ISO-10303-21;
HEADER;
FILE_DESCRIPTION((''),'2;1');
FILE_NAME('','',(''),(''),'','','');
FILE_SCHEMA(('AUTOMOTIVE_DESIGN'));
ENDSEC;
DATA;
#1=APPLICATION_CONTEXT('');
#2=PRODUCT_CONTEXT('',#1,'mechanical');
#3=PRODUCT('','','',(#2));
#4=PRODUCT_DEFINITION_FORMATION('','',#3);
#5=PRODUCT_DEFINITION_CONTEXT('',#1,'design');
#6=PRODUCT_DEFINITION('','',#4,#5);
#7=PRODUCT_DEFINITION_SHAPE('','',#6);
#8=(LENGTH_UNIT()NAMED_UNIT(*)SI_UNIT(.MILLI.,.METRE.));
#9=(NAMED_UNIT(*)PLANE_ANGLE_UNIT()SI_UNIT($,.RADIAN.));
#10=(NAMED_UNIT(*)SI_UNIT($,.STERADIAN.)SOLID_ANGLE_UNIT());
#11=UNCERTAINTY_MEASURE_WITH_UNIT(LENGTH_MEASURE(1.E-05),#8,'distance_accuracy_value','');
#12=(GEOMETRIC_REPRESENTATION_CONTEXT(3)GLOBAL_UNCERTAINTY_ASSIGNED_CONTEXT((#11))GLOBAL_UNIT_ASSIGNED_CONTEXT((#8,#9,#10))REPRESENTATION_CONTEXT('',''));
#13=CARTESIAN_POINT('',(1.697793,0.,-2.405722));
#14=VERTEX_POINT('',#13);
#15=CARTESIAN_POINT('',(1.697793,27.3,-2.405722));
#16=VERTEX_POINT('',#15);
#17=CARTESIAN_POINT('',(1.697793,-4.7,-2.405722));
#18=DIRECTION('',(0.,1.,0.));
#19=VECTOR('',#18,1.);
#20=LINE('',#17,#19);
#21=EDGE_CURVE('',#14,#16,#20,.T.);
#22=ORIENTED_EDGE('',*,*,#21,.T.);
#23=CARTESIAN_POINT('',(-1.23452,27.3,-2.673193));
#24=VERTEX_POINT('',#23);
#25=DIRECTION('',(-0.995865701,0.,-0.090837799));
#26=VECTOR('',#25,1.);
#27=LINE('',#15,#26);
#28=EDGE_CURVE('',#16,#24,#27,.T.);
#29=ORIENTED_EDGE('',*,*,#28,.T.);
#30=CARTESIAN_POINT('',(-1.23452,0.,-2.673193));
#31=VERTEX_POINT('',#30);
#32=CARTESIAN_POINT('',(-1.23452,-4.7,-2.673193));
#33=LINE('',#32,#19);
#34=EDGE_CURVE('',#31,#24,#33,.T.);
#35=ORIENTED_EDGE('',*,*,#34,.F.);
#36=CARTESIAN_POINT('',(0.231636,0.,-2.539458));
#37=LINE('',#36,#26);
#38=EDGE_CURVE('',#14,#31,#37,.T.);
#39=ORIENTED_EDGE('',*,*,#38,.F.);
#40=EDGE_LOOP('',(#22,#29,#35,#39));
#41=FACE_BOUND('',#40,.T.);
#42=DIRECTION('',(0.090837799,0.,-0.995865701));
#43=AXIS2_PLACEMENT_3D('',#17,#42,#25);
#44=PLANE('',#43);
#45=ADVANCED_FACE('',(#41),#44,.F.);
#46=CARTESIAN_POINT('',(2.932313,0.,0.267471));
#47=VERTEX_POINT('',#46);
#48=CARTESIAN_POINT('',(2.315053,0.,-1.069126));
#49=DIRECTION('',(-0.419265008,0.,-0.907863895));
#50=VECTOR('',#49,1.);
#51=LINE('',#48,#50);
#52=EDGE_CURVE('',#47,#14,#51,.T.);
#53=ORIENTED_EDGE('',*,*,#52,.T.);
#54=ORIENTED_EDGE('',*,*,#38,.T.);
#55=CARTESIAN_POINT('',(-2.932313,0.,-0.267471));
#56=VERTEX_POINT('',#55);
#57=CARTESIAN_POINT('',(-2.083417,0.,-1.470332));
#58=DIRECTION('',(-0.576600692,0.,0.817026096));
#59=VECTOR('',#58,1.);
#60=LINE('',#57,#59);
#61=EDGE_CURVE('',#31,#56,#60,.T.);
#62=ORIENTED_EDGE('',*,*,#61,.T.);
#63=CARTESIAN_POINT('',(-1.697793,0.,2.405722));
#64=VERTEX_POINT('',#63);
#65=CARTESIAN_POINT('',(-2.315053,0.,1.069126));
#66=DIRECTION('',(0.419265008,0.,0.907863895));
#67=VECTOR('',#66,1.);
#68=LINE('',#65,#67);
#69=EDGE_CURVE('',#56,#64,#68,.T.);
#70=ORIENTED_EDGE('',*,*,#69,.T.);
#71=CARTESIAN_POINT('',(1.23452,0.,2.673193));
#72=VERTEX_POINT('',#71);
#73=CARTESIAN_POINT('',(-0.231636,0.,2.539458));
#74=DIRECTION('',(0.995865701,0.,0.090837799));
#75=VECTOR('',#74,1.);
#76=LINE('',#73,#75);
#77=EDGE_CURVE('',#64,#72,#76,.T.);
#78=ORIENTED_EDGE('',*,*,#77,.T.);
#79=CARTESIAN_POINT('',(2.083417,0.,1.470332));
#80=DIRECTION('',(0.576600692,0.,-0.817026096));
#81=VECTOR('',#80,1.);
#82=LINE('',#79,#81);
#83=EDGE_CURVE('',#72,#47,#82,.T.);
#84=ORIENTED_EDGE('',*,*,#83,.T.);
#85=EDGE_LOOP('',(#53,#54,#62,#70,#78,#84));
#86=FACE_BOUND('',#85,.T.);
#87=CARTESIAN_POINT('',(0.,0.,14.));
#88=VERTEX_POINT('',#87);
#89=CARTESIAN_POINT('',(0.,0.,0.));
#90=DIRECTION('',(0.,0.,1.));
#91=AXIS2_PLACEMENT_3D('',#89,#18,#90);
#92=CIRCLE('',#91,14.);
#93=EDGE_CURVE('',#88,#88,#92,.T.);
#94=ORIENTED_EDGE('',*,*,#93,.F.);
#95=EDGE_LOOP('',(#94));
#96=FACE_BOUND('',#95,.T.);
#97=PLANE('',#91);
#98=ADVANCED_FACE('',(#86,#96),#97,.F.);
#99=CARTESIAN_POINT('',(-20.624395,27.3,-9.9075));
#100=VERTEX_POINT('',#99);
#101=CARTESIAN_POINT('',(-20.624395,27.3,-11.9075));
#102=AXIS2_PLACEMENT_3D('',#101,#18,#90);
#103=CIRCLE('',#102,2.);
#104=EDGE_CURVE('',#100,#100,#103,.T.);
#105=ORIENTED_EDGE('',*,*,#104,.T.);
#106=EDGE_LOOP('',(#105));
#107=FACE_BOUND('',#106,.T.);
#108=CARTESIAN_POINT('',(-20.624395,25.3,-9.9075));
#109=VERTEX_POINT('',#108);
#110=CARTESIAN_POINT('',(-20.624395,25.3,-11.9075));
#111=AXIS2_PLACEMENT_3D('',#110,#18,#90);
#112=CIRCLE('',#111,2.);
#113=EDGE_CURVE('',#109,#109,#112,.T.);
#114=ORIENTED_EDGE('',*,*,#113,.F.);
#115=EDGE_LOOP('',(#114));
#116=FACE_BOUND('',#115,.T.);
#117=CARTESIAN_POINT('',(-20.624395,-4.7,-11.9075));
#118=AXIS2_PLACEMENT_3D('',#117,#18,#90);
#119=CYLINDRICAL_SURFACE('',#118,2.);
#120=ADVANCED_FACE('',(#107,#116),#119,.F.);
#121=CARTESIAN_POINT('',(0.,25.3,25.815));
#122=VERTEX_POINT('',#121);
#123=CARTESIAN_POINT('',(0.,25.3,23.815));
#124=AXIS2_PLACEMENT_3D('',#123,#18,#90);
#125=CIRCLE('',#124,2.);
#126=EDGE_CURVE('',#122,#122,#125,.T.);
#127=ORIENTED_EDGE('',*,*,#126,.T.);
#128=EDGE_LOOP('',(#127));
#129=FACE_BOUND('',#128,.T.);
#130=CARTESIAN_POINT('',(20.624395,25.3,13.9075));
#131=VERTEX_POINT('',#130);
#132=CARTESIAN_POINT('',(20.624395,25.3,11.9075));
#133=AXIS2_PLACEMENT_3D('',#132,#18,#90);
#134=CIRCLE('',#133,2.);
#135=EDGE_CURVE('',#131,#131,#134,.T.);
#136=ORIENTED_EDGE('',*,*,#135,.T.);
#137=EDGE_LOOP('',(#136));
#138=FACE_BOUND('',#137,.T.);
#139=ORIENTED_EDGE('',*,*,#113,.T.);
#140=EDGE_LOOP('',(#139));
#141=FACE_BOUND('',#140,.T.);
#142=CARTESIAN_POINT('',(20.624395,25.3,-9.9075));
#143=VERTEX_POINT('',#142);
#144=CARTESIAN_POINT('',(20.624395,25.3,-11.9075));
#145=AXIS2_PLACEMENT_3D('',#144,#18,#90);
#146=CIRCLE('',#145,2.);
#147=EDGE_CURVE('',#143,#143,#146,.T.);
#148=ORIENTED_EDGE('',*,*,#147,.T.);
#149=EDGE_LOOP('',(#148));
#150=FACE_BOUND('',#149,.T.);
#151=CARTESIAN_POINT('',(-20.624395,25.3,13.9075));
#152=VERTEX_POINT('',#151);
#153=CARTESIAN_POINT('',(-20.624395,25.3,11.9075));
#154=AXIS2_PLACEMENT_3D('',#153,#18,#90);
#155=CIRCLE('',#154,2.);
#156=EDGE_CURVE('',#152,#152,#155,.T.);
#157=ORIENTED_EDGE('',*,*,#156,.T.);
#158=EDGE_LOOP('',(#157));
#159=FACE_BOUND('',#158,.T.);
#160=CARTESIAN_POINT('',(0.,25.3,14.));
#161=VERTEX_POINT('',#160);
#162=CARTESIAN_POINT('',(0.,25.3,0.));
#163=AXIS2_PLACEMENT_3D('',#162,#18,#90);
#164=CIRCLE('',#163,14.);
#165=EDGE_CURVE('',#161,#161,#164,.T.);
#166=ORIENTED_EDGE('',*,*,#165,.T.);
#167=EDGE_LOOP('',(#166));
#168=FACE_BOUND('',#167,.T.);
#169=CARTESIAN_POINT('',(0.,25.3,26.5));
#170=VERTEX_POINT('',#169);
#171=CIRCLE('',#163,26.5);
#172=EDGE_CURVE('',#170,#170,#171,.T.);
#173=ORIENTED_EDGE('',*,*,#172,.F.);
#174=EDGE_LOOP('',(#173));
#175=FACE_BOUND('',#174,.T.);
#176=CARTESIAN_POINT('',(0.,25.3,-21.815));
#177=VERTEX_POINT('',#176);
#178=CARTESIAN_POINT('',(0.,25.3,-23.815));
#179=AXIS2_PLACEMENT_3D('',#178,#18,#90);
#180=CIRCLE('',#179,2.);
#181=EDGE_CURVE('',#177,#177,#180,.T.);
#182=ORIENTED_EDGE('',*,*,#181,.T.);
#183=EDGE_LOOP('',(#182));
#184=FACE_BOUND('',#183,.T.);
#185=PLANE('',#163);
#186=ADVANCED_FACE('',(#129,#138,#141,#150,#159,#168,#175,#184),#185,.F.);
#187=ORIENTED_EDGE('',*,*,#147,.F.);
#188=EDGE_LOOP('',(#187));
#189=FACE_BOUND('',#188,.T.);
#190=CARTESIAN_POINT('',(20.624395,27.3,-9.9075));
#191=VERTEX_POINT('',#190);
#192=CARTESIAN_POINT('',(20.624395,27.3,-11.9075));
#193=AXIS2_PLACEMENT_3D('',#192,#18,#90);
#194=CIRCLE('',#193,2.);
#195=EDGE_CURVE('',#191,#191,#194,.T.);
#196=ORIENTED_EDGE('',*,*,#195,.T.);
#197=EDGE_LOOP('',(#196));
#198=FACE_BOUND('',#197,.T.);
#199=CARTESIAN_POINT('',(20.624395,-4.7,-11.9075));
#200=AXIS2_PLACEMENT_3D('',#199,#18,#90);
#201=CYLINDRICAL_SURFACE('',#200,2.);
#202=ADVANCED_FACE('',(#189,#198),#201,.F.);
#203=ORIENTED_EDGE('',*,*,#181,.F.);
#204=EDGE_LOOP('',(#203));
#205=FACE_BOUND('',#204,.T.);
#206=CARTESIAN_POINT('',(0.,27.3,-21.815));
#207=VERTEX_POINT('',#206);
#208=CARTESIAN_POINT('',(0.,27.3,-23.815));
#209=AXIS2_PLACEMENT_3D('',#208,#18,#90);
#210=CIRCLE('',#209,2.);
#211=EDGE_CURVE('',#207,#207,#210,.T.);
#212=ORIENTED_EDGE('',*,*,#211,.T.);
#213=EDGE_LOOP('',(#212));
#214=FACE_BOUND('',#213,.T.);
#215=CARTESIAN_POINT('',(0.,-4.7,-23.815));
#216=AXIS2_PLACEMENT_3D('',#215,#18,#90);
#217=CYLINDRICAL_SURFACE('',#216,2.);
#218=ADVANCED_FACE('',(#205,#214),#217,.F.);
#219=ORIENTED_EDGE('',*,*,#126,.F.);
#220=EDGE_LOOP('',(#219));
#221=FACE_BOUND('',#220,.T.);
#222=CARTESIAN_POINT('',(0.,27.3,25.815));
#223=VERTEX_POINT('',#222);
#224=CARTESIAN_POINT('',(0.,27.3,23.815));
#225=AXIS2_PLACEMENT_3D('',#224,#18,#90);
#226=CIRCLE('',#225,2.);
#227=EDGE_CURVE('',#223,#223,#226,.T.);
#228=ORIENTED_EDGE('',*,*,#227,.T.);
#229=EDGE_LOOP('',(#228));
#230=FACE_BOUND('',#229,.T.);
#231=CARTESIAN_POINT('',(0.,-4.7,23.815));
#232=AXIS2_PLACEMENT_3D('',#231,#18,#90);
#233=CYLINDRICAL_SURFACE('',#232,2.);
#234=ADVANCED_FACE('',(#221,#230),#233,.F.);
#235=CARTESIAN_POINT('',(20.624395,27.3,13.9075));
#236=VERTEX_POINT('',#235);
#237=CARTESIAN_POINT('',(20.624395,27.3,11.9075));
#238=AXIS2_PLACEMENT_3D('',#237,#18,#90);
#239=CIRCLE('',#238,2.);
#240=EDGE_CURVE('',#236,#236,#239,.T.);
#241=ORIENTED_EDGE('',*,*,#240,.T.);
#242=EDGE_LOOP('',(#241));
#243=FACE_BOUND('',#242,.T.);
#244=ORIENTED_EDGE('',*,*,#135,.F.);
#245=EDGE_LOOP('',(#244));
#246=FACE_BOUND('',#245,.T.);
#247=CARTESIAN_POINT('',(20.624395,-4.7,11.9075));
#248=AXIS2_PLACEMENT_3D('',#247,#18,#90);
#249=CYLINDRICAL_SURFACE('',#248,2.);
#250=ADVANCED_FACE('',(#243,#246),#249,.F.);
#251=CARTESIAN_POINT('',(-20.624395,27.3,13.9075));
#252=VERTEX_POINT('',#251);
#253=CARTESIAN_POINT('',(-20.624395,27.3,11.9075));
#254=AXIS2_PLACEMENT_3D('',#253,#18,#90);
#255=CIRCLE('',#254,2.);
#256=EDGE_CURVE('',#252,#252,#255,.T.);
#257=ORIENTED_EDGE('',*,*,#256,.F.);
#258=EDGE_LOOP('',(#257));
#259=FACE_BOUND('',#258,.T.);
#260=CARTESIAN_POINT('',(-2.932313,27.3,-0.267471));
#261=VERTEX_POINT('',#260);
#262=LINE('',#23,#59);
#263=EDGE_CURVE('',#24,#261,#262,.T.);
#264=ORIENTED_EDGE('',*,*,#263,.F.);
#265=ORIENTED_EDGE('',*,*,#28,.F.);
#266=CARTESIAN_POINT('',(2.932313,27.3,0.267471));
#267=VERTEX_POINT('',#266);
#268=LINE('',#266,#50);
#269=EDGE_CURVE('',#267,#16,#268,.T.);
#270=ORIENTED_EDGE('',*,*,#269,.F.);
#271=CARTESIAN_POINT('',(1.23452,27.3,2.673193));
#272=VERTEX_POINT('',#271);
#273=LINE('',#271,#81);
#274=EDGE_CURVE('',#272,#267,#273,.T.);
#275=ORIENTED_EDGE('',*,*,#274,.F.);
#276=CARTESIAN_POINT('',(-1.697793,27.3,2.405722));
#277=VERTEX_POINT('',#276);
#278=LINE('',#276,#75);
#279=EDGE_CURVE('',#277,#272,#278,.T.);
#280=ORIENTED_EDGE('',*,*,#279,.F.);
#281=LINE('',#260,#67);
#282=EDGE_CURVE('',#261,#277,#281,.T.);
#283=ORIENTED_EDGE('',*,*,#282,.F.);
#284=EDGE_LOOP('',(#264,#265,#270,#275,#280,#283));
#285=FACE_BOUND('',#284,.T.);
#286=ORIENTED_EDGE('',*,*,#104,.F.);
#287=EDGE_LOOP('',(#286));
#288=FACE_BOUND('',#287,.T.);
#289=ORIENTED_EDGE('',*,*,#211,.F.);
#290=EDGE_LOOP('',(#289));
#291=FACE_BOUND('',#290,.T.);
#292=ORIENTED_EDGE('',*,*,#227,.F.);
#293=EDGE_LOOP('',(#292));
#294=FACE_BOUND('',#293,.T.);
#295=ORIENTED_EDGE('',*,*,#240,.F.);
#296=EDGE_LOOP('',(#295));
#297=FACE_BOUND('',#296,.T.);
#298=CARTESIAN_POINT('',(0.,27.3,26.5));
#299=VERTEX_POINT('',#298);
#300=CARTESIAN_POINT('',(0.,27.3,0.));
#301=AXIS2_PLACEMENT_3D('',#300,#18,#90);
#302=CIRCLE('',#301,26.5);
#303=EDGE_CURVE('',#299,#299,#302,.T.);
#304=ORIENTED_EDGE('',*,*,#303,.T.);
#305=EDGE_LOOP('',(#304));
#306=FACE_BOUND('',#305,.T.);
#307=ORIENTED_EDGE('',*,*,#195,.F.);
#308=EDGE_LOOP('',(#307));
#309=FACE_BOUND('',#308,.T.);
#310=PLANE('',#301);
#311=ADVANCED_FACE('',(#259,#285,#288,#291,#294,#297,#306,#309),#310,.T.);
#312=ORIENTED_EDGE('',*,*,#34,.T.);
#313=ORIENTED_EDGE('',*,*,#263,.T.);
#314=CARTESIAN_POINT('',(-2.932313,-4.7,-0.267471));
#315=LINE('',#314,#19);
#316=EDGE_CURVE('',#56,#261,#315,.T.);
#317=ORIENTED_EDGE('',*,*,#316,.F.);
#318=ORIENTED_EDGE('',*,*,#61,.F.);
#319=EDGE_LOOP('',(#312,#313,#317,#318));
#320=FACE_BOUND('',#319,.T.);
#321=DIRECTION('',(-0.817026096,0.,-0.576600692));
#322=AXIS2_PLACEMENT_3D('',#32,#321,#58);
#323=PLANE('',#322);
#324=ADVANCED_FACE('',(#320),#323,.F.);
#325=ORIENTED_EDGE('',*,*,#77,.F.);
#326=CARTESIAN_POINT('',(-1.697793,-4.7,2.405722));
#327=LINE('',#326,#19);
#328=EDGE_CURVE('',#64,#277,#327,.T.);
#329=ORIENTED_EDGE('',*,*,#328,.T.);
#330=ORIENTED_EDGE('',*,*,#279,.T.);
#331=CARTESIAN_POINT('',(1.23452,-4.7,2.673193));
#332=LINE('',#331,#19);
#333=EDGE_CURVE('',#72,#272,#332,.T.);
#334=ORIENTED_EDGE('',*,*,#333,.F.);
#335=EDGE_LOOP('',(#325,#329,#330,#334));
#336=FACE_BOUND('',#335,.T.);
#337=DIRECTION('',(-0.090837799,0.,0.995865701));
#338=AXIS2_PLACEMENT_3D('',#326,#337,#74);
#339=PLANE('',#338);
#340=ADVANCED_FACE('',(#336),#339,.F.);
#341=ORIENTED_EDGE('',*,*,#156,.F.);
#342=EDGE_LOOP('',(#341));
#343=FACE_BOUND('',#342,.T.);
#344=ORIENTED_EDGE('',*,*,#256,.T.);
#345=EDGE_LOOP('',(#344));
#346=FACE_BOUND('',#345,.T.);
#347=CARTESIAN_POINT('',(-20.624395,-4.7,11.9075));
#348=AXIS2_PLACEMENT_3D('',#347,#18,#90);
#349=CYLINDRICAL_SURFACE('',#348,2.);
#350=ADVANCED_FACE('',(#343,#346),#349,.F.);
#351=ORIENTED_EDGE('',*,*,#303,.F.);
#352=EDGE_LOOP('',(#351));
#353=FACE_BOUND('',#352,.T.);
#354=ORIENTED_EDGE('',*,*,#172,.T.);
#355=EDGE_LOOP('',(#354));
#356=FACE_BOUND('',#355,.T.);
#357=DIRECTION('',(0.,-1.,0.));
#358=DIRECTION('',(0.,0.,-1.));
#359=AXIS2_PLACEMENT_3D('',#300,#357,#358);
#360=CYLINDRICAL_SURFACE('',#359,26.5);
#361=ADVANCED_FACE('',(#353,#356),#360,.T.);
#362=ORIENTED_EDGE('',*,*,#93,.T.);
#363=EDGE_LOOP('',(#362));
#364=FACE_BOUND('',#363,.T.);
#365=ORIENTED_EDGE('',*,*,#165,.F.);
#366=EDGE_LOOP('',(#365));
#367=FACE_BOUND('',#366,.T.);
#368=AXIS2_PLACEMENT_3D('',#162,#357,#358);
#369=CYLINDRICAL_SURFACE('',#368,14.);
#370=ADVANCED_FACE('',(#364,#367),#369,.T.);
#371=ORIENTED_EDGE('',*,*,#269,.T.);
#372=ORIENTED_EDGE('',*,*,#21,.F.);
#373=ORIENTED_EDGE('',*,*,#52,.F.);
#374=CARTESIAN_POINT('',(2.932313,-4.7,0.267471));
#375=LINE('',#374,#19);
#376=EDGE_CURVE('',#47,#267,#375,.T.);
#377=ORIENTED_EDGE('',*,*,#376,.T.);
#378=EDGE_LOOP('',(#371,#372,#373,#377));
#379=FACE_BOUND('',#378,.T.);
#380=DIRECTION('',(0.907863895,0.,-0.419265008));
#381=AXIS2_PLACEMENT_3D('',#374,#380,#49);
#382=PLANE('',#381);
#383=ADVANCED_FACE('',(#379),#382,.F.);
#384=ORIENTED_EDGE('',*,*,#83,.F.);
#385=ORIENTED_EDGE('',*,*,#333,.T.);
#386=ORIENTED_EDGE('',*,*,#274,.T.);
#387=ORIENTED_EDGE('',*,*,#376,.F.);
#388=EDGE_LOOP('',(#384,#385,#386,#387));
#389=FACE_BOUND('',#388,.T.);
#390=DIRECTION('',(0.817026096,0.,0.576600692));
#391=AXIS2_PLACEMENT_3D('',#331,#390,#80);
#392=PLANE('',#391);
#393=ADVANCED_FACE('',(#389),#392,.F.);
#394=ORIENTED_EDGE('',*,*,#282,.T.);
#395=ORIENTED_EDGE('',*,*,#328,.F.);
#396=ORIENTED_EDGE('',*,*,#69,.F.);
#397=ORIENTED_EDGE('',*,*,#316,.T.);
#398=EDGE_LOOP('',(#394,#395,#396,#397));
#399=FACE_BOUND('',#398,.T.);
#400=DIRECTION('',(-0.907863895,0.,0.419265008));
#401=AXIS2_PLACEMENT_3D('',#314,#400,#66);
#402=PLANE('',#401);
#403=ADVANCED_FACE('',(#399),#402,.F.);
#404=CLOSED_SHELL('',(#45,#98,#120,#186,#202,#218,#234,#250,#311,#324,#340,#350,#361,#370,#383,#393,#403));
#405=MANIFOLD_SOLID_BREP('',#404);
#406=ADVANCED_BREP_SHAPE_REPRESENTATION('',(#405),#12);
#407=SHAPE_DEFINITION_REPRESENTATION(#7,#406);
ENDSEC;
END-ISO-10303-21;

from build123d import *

# Parameters (mm, degrees)
SKETCH1_R           = 14
BOSS_EXTRUDE1_DEPTH = 25.3
SKETCH2_R           = 26.5
BOSS_EXTRUDE2_DEPTH = 2
SKETCH3_R           = 2
CUT_EXTRUDE1_DEPTH  = 32


with BuildPart() as part:
    # Sketch1 → Boss-Extrude1 (new body)
    with BuildSketch(Plane(origin=(0, 0, 0), x_dir=(1, 0, 0), z_dir=(0, 1, 0))):
        with Locations(Location((0, 0, 0), (0, 0, 270))):
            Circle(SKETCH1_R)
    extrude(amount=BOSS_EXTRUDE1_DEPTH)

    # Sketch2 → Boss-Extrude2 (add)
    with BuildSketch(Plane(origin=(0, 25.3, 0), x_dir=(1, 0, 0), z_dir=(0, 1, 0))):
        with Locations(Location((0, 0, 0), (0, 0, 270))):
            Circle(SKETCH2_R)
    extrude(amount=BOSS_EXTRUDE2_DEPTH)

    # Sketch3 → Cut-Extrude1 (cut)
    with BuildSketch(Plane(origin=(0, 27.3, 0), x_dir=(1, 0, 0), z_dir=(0, 1, 0))):
        with Locations(Location((0, 23.815, 0), (0, 0, 270))):
            Circle(SKETCH3_R)
        with Locations(Location((20.624394991, 11.9075, 0), (0, 0, 270))):
            Circle(SKETCH3_R)
        with Locations(Location((20.624394991, -11.9075, 0), (0, 0, 270))):
            Circle(SKETCH3_R)
        with Locations(Location((0, -23.815, 0), (0, 0, 270))):
            Circle(SKETCH3_R)
        with Locations(Location((-20.624394991, -11.9075, 0), (0, 0, 270))):
            Circle(SKETCH3_R)
        with Locations(Location((-20.624394991, 11.9075, 0), (0, 0, 270))):
            Circle(SKETCH3_R)
        Polygon((1.234520104, -2.673192869), (2.932312985, -0.267470663), (1.697792881, 2.405722206), (-1.234520104, 2.673192869), (-2.932312985, 0.267470663), (-1.697792881, -2.405722206), align=None)
    extrude(amount=-CUT_EXTRUDE1_DEPTH, mode=Mode.SUBTRACT)


solid = part.part
